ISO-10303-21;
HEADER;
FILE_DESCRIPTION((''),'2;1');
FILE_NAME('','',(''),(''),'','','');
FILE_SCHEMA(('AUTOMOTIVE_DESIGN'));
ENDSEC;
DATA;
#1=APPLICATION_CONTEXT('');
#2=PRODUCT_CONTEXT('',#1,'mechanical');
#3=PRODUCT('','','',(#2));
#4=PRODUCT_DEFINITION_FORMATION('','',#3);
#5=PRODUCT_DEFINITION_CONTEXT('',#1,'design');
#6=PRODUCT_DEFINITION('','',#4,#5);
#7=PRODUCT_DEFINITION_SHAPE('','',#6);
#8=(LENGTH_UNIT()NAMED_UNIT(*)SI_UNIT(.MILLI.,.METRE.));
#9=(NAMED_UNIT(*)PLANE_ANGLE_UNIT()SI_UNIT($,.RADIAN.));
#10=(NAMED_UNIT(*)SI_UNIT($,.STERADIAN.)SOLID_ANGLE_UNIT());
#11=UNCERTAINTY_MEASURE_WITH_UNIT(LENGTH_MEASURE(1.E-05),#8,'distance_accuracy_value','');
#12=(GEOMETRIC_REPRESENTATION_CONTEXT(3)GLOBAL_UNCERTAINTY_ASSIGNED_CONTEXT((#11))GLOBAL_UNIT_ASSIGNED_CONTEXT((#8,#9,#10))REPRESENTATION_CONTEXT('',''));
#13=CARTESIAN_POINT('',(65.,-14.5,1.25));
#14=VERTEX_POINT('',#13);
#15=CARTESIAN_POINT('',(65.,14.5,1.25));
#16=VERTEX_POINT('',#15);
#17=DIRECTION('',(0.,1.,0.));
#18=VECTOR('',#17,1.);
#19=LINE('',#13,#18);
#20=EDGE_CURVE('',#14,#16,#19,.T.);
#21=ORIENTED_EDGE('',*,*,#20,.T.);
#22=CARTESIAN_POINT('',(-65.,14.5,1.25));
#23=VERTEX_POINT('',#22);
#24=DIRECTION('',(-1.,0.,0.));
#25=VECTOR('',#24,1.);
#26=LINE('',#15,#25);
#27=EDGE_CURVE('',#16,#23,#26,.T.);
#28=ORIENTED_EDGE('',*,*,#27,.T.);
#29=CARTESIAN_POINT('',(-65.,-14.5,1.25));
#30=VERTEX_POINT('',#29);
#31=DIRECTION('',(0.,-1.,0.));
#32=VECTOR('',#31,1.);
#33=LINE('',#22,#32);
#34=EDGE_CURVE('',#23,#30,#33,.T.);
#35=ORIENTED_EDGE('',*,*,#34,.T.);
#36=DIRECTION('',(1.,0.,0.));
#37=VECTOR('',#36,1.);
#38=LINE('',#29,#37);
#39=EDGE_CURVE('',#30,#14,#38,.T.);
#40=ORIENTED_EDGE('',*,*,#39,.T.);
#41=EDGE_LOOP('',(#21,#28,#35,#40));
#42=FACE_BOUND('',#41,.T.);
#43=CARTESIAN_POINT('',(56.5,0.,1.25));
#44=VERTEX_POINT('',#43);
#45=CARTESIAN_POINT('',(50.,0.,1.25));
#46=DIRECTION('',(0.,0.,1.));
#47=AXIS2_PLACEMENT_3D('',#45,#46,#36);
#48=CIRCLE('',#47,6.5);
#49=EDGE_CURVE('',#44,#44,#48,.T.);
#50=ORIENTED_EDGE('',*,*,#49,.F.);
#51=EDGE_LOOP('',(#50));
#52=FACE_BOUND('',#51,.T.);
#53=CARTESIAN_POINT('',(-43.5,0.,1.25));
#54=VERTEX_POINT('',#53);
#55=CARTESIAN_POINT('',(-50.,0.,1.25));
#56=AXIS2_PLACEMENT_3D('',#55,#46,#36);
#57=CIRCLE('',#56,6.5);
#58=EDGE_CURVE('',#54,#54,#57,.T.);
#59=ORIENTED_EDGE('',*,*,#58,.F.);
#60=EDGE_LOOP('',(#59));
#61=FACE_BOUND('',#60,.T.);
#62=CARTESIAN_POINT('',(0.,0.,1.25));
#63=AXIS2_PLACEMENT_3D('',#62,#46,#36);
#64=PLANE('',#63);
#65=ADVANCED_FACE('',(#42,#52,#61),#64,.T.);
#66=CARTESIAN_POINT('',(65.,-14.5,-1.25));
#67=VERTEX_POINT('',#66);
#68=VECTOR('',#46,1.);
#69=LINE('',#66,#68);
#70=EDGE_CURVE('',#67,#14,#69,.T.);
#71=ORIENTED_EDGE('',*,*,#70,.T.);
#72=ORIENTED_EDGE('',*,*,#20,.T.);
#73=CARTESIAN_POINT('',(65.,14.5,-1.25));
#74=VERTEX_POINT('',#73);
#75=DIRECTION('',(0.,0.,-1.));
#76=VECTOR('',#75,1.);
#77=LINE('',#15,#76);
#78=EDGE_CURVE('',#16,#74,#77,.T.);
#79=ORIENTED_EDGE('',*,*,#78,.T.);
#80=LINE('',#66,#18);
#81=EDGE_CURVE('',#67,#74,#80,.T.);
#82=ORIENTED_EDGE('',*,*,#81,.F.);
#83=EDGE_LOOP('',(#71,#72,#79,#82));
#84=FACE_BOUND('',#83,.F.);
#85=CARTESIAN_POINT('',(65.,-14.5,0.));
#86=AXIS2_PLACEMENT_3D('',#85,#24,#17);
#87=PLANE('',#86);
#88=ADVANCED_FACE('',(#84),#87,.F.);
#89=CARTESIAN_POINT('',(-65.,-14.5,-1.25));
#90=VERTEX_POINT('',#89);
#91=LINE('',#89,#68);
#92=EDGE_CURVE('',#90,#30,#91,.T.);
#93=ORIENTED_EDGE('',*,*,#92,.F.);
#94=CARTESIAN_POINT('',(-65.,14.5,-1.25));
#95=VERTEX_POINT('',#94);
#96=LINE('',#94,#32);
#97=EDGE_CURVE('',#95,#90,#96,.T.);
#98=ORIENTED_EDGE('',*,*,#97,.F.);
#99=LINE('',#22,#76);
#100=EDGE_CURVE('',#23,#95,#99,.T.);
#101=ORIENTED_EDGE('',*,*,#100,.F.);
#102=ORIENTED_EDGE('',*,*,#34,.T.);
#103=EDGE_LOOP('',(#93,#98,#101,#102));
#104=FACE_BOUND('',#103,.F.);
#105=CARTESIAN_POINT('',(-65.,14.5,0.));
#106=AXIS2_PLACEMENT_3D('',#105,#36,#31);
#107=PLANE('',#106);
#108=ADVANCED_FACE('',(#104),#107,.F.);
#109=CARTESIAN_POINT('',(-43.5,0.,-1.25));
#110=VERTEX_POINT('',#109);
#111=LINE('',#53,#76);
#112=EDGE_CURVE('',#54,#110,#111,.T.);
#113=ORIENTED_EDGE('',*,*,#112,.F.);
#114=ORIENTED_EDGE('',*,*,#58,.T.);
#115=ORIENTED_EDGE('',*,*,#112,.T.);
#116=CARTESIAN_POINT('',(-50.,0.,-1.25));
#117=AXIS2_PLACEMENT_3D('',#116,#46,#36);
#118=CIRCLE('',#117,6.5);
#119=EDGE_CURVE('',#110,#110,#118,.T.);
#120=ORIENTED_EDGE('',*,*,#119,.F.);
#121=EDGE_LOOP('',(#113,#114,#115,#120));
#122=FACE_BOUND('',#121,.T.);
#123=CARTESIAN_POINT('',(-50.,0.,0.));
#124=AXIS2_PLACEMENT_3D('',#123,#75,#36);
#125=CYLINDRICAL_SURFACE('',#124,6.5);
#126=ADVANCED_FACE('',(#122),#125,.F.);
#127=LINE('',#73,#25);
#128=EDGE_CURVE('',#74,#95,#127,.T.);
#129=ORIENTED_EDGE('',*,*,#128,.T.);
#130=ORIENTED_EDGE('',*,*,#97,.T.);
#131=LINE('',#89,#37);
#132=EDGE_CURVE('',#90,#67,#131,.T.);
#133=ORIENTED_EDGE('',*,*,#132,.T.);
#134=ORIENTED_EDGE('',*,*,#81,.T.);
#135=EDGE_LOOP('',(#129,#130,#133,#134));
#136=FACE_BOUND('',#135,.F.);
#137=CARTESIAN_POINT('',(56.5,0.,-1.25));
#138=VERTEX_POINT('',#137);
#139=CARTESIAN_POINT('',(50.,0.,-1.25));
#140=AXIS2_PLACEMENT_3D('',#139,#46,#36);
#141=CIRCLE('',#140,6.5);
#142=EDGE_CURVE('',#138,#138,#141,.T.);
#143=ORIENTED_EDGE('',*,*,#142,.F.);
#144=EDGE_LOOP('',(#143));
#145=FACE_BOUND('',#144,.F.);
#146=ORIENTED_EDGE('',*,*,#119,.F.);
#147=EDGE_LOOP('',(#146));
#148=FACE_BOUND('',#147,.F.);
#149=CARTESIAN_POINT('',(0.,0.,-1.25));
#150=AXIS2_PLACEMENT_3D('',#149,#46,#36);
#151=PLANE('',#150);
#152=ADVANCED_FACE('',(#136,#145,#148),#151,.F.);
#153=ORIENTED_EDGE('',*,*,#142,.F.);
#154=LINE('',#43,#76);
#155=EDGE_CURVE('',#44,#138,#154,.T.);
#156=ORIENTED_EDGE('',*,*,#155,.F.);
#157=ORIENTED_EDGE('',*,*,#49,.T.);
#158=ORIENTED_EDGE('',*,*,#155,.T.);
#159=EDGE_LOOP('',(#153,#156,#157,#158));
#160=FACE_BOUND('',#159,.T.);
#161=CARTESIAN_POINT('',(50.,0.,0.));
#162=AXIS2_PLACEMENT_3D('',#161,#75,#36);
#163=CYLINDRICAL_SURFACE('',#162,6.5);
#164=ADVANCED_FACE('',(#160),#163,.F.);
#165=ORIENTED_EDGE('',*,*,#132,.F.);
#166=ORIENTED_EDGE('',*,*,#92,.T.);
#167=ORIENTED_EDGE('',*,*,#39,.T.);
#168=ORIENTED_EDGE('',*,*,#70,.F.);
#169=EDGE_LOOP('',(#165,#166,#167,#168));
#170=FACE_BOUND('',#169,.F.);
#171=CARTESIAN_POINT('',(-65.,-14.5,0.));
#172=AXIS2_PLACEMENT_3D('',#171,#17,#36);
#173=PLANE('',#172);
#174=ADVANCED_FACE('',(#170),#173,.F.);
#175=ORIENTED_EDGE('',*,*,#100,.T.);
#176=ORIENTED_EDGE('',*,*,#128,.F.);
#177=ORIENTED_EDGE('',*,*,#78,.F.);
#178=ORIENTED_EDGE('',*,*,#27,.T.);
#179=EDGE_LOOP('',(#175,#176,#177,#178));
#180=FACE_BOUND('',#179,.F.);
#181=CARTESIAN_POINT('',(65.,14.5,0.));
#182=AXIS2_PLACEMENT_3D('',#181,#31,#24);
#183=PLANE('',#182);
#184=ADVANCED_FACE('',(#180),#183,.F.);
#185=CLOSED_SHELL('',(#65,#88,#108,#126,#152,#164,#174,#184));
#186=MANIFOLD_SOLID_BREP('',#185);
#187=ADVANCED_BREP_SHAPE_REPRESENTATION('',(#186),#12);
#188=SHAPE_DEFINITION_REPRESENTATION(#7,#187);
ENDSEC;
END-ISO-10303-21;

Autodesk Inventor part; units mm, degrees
ref_plane "YZ Plane" through (0, 0, 0) normal (1, 0, 0) x (0, 1, 0)
ref_plane "XZ Plane" through (0, 0, 0) normal (0, 1, 0) x (-1, 0, 0)
ref_plane "XY Plane" through (0, 0, 0) normal (0, 0, 1) x (1, 0, 0)
sketch "草圖1" plane through (0, 0, 0) normal (0, 0, 1) x (1, 0, 0)
  line L0 (0, 0) -> (-50, 0) construction
  line L1 (0, 0) -> (0, 45.4619) construction
  line L2 (-65, -14.5) -> (65, -14.5)
  line L3 (65, -14.5) -> (65, 14.5)
  line L4 (65, 14.5) -> (-65, 14.5)
  line L5 (-65, 14.5) -> (-65, -14.5)
  line L6 (-65, -14.5) -> (65, 14.5) construction
  line L7 (65, -14.5) -> (-65, 14.5) construction
  circle A0 centre (-50, 0) radius 6.5
  circle A1 centre (50, 0) radius 6.5
  dimension "d0" = 29
  dimension "d1" = 130
  dimension "d5" = 13
  dimension "d6" = 100
extrude "擠出1" add sketch "草圖1" along normal mid plane 2.5
properties part number "0 零件" material "橡膠"
